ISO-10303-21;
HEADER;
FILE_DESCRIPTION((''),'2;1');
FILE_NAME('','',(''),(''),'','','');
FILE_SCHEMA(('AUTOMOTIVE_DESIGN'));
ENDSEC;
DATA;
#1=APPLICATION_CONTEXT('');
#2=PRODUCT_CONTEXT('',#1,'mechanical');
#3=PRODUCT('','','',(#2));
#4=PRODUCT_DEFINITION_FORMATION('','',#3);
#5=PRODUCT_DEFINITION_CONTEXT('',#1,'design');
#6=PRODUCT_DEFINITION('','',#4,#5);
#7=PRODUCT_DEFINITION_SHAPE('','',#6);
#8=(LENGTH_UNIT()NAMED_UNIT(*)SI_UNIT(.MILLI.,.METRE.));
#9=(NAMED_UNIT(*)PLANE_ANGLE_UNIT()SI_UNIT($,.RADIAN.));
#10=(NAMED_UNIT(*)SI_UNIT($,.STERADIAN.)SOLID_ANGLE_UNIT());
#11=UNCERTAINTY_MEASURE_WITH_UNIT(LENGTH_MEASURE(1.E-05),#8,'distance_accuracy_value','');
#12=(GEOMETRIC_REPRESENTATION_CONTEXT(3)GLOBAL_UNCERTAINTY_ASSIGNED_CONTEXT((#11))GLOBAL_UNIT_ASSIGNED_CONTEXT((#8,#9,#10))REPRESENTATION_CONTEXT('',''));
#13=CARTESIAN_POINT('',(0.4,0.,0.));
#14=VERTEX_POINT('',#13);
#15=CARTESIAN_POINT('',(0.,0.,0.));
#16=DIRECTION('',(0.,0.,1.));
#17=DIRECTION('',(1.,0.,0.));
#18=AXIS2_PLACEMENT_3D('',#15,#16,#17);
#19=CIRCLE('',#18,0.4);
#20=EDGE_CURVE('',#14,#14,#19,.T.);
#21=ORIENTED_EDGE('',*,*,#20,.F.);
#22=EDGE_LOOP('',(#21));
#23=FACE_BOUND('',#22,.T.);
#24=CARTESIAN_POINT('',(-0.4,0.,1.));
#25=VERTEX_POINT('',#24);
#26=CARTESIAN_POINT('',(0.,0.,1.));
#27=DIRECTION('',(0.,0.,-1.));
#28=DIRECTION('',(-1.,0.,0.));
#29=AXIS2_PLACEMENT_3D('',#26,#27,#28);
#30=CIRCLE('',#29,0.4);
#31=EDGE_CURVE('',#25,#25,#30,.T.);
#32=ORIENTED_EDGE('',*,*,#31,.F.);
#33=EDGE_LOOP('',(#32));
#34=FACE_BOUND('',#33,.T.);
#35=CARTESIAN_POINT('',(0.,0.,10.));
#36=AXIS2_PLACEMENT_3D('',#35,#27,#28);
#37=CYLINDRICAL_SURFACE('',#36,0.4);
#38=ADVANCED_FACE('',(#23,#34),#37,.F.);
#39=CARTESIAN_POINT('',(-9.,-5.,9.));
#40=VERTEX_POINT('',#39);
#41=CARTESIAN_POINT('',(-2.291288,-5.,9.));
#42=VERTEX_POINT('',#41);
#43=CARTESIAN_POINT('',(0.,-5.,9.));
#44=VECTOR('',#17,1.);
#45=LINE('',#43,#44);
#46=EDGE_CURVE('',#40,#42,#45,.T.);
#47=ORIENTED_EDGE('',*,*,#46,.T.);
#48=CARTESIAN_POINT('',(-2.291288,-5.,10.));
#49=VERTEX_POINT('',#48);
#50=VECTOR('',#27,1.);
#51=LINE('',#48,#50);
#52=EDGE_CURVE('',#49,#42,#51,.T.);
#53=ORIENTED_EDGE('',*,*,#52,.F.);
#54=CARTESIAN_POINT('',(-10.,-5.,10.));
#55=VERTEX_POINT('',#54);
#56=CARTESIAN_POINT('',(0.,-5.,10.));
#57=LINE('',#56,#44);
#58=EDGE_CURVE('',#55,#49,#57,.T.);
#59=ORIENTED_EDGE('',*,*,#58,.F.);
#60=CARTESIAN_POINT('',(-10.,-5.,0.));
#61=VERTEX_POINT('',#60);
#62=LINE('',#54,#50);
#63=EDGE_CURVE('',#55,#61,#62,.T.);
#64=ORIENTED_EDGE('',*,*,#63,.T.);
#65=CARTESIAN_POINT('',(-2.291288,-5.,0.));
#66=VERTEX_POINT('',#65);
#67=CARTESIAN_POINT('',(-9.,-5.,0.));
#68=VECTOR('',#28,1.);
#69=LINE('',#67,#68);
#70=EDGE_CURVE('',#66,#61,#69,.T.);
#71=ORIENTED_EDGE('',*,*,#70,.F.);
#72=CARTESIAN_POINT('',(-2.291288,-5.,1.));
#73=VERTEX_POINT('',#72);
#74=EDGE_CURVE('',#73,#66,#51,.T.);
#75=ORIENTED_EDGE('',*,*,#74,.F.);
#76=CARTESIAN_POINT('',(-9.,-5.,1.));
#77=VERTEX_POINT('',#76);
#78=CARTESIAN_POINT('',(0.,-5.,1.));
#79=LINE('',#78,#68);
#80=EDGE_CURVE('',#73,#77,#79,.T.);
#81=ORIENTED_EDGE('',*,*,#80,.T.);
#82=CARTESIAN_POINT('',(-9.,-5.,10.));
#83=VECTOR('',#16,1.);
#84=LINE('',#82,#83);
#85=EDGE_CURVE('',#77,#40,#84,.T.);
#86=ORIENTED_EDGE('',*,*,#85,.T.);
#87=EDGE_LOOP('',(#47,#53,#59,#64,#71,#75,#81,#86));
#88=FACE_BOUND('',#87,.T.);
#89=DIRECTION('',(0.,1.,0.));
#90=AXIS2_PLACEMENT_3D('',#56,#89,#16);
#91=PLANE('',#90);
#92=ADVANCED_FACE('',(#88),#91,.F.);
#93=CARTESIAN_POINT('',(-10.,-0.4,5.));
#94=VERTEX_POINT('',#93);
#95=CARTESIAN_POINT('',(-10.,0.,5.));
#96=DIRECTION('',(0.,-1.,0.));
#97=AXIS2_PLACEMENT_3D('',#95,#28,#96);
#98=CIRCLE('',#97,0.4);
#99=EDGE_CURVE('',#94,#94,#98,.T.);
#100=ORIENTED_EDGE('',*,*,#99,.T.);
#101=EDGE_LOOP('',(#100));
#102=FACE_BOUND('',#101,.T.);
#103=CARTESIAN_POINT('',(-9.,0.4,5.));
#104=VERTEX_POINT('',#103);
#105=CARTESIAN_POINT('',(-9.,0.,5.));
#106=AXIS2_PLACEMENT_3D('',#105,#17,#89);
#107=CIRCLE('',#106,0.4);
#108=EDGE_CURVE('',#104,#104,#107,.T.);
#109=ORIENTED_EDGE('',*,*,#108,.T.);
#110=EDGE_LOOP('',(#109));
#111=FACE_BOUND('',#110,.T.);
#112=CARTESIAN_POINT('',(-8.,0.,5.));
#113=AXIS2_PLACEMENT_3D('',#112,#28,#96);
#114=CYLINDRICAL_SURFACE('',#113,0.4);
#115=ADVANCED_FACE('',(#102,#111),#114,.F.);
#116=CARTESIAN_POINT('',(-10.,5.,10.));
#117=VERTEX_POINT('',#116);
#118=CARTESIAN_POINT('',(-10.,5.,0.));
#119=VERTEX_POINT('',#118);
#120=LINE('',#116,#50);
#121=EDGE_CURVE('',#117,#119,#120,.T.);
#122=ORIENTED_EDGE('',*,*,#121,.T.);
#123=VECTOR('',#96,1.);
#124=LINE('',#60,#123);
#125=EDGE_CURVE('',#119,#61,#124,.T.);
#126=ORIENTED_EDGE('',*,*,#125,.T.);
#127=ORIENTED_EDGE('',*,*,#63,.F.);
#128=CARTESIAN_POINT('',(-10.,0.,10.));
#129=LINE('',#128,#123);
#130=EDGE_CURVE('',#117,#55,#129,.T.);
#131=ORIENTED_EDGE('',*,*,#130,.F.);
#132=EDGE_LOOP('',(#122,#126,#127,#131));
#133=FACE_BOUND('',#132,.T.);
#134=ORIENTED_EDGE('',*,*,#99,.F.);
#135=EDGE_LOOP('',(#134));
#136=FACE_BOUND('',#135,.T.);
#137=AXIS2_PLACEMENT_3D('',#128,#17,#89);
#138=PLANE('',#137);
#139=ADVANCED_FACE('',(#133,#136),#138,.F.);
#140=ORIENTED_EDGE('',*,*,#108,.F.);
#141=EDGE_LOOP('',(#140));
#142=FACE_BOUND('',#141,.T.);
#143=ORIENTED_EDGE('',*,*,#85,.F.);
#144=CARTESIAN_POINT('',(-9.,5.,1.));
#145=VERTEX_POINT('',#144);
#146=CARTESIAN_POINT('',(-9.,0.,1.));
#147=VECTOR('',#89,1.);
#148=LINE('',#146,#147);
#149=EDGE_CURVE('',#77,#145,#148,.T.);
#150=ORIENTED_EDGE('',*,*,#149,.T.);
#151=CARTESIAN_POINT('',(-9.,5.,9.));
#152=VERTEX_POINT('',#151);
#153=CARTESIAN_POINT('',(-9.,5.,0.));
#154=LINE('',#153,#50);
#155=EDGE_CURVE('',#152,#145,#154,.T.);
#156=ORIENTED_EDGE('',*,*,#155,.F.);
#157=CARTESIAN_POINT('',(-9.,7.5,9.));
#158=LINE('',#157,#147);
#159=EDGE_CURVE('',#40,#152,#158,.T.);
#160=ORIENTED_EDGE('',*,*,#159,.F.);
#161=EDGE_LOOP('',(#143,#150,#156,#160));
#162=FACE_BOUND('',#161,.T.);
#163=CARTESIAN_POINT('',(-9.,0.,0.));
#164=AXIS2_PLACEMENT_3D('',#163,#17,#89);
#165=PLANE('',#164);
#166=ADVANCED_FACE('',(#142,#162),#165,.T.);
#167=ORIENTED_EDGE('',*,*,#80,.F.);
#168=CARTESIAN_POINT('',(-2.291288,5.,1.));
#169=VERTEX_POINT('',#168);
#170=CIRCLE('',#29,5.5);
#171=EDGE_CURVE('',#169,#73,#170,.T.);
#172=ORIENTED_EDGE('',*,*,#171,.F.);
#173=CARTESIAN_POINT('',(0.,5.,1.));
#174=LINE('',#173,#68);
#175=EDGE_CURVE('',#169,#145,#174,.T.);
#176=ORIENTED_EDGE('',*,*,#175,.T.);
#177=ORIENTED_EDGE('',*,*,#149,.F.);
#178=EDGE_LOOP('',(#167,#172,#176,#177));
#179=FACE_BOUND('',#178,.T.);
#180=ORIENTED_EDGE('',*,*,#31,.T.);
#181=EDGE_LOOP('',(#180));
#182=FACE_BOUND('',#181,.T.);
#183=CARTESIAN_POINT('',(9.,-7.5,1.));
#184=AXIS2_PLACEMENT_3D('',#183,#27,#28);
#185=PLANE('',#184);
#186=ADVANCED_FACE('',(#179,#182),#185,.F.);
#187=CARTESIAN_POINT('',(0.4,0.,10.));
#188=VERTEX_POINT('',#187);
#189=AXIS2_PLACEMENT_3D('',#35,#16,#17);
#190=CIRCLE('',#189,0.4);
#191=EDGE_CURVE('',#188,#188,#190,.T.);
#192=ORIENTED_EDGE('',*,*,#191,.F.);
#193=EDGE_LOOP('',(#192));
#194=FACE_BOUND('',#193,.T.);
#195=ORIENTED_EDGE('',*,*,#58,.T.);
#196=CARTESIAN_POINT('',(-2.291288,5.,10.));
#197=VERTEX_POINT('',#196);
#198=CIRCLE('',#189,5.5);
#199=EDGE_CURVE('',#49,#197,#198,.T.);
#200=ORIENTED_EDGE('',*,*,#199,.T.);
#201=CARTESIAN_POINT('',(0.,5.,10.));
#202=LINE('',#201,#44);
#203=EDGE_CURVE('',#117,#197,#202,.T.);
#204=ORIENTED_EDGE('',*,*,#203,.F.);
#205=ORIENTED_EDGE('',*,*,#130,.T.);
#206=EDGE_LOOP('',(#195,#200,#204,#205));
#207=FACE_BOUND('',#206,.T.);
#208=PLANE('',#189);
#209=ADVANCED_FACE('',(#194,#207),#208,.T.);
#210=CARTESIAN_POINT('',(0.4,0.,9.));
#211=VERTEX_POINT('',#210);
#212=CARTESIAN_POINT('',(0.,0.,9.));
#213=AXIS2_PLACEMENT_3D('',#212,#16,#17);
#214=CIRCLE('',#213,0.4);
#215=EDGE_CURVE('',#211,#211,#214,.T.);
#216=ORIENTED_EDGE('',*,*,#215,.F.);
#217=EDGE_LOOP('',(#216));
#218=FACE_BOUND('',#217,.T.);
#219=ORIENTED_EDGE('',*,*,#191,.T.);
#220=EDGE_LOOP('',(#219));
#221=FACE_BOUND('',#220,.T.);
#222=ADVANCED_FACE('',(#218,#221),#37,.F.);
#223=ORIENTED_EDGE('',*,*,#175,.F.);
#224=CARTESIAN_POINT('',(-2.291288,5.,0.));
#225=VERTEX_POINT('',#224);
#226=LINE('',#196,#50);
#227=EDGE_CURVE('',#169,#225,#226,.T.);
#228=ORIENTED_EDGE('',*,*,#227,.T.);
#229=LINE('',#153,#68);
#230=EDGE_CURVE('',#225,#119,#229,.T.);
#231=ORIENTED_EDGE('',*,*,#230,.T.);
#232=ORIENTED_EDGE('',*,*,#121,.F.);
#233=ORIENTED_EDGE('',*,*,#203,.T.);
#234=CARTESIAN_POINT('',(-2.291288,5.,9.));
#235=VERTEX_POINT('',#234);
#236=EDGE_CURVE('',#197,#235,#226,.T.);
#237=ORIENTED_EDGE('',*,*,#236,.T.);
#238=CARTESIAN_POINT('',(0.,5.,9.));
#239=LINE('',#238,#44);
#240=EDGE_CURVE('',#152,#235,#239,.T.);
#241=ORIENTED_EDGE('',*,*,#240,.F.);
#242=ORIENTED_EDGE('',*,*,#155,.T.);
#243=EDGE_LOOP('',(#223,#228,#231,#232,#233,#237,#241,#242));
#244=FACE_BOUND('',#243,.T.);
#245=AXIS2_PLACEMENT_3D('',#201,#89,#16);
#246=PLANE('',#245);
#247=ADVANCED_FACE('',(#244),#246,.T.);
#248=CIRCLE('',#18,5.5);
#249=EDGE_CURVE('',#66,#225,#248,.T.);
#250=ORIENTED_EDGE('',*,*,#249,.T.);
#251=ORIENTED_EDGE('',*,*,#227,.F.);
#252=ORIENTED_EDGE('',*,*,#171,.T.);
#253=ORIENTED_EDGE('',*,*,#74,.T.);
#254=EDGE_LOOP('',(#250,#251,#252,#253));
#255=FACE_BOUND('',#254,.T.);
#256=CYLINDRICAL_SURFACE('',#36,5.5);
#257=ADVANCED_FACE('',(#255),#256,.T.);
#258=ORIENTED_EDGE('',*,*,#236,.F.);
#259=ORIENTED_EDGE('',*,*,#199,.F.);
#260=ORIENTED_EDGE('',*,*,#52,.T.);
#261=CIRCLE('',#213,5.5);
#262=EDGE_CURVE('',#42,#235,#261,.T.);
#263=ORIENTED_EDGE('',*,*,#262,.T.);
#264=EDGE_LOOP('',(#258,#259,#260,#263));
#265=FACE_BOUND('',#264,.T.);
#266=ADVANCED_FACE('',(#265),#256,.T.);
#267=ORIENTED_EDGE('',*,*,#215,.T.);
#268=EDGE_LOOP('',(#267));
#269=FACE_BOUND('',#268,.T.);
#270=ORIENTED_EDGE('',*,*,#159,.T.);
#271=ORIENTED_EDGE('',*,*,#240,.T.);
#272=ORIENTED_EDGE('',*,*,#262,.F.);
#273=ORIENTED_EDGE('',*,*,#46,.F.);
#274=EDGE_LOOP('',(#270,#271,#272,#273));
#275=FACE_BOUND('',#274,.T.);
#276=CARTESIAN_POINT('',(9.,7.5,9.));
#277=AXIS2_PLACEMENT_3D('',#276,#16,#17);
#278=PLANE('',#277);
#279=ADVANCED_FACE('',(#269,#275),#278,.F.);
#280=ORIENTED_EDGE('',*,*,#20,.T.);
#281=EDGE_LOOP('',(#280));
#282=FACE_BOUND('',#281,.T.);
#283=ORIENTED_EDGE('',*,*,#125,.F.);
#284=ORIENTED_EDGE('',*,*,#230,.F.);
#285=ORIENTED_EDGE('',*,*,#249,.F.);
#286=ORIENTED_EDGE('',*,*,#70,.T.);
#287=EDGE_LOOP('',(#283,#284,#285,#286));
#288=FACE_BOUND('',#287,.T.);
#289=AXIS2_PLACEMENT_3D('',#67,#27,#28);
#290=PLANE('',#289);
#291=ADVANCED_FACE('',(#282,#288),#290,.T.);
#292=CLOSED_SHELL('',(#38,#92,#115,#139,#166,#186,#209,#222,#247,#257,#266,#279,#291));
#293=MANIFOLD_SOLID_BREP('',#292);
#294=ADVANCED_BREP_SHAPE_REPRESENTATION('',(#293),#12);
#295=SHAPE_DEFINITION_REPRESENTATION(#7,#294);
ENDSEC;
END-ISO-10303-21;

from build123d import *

# Parameters (mm, degrees)
SKETCH1_R           = 0.4
BOSS_EXTRUDE1_DEPTH = 10
SKETCH2_W           = 8
SKETCH2_H           = 15
CUT_EXTRUDE2_DEPTH  = 19
SKETCH3_W           = 10
SKETCH3_H           = 10
BOSS_EXTRUDE2_DEPTH = 1
SKETCH4_R           = 0.4
CUT_EXTRUDE3_DEPTH  = 2


with BuildPart() as part:
    # Sketch1 → Boss-Extrude1 (new body)
    with BuildSketch(Plane.XY):
        with BuildLine():
            Line((-10, 5), (-10, -5))
            Line((-10, -5), (-2.291287847, -5))
            ThreePointArc((-2.291287847, -5), (5.5, 0), (-2.291287847, 5))
            Line((-2.291287847, 5), (-10, 5))
        make_face()
        Circle(SKETCH1_R, mode=Mode.SUBTRACT)
    extrude(amount=BOSS_EXTRUDE1_DEPTH)

    # Sketch2 → Cut-Extrude2 (cut)
    with BuildSketch(Plane.ZY.offset(10)):
        with Locations((5, 0)):
            Rectangle(SKETCH2_W, SKETCH2_H)
    extrude(amount=-CUT_EXTRUDE2_DEPTH, mode=Mode.SUBTRACT)


with BuildPart() as cut_extrude2_piece_1:
    # of the separate pieces the step leaves, piece 1, a body of its own (cut_extrude2_pieces)
    add(part.part.solids().sort_by_distance((-2.291287847, 5, 0))[0])



with BuildPart() as cut_extrude2_piece_2:
    # of the separate pieces the step leaves, piece 2, a body of its own (cut_extrude2_pieces)
    add(part.part.solids().sort_by_distance((-10, 5, 9))[0])


with BuildPart() as cut_extrude2_piece_1_1:
    add(cut_extrude2_piece_1.part)

    add(cut_extrude2_piece_2.part)  # Boss-Extrude2 merges Cut-Extrude2 piece 2
    # Sketch3 → Boss-Extrude2 (add)
    with BuildSketch(Plane.ZY.offset(10)):
        with Locations((5, 0)):
            Rectangle(SKETCH3_W, SKETCH3_H)
    extrude(amount=-BOSS_EXTRUDE2_DEPTH)

    # Sketch4 → Cut-Extrude3 (cut)
    with BuildSketch(Plane.ZY.offset(10)):
        with Locations(Location((5, 0, 0), (0, 0, 270))):
            Circle(SKETCH4_R)
    extrude(amount=-CUT_EXTRUDE3_DEPTH, mode=Mode.SUBTRACT)


solid = cut_extrude2_piece_1_1.part
